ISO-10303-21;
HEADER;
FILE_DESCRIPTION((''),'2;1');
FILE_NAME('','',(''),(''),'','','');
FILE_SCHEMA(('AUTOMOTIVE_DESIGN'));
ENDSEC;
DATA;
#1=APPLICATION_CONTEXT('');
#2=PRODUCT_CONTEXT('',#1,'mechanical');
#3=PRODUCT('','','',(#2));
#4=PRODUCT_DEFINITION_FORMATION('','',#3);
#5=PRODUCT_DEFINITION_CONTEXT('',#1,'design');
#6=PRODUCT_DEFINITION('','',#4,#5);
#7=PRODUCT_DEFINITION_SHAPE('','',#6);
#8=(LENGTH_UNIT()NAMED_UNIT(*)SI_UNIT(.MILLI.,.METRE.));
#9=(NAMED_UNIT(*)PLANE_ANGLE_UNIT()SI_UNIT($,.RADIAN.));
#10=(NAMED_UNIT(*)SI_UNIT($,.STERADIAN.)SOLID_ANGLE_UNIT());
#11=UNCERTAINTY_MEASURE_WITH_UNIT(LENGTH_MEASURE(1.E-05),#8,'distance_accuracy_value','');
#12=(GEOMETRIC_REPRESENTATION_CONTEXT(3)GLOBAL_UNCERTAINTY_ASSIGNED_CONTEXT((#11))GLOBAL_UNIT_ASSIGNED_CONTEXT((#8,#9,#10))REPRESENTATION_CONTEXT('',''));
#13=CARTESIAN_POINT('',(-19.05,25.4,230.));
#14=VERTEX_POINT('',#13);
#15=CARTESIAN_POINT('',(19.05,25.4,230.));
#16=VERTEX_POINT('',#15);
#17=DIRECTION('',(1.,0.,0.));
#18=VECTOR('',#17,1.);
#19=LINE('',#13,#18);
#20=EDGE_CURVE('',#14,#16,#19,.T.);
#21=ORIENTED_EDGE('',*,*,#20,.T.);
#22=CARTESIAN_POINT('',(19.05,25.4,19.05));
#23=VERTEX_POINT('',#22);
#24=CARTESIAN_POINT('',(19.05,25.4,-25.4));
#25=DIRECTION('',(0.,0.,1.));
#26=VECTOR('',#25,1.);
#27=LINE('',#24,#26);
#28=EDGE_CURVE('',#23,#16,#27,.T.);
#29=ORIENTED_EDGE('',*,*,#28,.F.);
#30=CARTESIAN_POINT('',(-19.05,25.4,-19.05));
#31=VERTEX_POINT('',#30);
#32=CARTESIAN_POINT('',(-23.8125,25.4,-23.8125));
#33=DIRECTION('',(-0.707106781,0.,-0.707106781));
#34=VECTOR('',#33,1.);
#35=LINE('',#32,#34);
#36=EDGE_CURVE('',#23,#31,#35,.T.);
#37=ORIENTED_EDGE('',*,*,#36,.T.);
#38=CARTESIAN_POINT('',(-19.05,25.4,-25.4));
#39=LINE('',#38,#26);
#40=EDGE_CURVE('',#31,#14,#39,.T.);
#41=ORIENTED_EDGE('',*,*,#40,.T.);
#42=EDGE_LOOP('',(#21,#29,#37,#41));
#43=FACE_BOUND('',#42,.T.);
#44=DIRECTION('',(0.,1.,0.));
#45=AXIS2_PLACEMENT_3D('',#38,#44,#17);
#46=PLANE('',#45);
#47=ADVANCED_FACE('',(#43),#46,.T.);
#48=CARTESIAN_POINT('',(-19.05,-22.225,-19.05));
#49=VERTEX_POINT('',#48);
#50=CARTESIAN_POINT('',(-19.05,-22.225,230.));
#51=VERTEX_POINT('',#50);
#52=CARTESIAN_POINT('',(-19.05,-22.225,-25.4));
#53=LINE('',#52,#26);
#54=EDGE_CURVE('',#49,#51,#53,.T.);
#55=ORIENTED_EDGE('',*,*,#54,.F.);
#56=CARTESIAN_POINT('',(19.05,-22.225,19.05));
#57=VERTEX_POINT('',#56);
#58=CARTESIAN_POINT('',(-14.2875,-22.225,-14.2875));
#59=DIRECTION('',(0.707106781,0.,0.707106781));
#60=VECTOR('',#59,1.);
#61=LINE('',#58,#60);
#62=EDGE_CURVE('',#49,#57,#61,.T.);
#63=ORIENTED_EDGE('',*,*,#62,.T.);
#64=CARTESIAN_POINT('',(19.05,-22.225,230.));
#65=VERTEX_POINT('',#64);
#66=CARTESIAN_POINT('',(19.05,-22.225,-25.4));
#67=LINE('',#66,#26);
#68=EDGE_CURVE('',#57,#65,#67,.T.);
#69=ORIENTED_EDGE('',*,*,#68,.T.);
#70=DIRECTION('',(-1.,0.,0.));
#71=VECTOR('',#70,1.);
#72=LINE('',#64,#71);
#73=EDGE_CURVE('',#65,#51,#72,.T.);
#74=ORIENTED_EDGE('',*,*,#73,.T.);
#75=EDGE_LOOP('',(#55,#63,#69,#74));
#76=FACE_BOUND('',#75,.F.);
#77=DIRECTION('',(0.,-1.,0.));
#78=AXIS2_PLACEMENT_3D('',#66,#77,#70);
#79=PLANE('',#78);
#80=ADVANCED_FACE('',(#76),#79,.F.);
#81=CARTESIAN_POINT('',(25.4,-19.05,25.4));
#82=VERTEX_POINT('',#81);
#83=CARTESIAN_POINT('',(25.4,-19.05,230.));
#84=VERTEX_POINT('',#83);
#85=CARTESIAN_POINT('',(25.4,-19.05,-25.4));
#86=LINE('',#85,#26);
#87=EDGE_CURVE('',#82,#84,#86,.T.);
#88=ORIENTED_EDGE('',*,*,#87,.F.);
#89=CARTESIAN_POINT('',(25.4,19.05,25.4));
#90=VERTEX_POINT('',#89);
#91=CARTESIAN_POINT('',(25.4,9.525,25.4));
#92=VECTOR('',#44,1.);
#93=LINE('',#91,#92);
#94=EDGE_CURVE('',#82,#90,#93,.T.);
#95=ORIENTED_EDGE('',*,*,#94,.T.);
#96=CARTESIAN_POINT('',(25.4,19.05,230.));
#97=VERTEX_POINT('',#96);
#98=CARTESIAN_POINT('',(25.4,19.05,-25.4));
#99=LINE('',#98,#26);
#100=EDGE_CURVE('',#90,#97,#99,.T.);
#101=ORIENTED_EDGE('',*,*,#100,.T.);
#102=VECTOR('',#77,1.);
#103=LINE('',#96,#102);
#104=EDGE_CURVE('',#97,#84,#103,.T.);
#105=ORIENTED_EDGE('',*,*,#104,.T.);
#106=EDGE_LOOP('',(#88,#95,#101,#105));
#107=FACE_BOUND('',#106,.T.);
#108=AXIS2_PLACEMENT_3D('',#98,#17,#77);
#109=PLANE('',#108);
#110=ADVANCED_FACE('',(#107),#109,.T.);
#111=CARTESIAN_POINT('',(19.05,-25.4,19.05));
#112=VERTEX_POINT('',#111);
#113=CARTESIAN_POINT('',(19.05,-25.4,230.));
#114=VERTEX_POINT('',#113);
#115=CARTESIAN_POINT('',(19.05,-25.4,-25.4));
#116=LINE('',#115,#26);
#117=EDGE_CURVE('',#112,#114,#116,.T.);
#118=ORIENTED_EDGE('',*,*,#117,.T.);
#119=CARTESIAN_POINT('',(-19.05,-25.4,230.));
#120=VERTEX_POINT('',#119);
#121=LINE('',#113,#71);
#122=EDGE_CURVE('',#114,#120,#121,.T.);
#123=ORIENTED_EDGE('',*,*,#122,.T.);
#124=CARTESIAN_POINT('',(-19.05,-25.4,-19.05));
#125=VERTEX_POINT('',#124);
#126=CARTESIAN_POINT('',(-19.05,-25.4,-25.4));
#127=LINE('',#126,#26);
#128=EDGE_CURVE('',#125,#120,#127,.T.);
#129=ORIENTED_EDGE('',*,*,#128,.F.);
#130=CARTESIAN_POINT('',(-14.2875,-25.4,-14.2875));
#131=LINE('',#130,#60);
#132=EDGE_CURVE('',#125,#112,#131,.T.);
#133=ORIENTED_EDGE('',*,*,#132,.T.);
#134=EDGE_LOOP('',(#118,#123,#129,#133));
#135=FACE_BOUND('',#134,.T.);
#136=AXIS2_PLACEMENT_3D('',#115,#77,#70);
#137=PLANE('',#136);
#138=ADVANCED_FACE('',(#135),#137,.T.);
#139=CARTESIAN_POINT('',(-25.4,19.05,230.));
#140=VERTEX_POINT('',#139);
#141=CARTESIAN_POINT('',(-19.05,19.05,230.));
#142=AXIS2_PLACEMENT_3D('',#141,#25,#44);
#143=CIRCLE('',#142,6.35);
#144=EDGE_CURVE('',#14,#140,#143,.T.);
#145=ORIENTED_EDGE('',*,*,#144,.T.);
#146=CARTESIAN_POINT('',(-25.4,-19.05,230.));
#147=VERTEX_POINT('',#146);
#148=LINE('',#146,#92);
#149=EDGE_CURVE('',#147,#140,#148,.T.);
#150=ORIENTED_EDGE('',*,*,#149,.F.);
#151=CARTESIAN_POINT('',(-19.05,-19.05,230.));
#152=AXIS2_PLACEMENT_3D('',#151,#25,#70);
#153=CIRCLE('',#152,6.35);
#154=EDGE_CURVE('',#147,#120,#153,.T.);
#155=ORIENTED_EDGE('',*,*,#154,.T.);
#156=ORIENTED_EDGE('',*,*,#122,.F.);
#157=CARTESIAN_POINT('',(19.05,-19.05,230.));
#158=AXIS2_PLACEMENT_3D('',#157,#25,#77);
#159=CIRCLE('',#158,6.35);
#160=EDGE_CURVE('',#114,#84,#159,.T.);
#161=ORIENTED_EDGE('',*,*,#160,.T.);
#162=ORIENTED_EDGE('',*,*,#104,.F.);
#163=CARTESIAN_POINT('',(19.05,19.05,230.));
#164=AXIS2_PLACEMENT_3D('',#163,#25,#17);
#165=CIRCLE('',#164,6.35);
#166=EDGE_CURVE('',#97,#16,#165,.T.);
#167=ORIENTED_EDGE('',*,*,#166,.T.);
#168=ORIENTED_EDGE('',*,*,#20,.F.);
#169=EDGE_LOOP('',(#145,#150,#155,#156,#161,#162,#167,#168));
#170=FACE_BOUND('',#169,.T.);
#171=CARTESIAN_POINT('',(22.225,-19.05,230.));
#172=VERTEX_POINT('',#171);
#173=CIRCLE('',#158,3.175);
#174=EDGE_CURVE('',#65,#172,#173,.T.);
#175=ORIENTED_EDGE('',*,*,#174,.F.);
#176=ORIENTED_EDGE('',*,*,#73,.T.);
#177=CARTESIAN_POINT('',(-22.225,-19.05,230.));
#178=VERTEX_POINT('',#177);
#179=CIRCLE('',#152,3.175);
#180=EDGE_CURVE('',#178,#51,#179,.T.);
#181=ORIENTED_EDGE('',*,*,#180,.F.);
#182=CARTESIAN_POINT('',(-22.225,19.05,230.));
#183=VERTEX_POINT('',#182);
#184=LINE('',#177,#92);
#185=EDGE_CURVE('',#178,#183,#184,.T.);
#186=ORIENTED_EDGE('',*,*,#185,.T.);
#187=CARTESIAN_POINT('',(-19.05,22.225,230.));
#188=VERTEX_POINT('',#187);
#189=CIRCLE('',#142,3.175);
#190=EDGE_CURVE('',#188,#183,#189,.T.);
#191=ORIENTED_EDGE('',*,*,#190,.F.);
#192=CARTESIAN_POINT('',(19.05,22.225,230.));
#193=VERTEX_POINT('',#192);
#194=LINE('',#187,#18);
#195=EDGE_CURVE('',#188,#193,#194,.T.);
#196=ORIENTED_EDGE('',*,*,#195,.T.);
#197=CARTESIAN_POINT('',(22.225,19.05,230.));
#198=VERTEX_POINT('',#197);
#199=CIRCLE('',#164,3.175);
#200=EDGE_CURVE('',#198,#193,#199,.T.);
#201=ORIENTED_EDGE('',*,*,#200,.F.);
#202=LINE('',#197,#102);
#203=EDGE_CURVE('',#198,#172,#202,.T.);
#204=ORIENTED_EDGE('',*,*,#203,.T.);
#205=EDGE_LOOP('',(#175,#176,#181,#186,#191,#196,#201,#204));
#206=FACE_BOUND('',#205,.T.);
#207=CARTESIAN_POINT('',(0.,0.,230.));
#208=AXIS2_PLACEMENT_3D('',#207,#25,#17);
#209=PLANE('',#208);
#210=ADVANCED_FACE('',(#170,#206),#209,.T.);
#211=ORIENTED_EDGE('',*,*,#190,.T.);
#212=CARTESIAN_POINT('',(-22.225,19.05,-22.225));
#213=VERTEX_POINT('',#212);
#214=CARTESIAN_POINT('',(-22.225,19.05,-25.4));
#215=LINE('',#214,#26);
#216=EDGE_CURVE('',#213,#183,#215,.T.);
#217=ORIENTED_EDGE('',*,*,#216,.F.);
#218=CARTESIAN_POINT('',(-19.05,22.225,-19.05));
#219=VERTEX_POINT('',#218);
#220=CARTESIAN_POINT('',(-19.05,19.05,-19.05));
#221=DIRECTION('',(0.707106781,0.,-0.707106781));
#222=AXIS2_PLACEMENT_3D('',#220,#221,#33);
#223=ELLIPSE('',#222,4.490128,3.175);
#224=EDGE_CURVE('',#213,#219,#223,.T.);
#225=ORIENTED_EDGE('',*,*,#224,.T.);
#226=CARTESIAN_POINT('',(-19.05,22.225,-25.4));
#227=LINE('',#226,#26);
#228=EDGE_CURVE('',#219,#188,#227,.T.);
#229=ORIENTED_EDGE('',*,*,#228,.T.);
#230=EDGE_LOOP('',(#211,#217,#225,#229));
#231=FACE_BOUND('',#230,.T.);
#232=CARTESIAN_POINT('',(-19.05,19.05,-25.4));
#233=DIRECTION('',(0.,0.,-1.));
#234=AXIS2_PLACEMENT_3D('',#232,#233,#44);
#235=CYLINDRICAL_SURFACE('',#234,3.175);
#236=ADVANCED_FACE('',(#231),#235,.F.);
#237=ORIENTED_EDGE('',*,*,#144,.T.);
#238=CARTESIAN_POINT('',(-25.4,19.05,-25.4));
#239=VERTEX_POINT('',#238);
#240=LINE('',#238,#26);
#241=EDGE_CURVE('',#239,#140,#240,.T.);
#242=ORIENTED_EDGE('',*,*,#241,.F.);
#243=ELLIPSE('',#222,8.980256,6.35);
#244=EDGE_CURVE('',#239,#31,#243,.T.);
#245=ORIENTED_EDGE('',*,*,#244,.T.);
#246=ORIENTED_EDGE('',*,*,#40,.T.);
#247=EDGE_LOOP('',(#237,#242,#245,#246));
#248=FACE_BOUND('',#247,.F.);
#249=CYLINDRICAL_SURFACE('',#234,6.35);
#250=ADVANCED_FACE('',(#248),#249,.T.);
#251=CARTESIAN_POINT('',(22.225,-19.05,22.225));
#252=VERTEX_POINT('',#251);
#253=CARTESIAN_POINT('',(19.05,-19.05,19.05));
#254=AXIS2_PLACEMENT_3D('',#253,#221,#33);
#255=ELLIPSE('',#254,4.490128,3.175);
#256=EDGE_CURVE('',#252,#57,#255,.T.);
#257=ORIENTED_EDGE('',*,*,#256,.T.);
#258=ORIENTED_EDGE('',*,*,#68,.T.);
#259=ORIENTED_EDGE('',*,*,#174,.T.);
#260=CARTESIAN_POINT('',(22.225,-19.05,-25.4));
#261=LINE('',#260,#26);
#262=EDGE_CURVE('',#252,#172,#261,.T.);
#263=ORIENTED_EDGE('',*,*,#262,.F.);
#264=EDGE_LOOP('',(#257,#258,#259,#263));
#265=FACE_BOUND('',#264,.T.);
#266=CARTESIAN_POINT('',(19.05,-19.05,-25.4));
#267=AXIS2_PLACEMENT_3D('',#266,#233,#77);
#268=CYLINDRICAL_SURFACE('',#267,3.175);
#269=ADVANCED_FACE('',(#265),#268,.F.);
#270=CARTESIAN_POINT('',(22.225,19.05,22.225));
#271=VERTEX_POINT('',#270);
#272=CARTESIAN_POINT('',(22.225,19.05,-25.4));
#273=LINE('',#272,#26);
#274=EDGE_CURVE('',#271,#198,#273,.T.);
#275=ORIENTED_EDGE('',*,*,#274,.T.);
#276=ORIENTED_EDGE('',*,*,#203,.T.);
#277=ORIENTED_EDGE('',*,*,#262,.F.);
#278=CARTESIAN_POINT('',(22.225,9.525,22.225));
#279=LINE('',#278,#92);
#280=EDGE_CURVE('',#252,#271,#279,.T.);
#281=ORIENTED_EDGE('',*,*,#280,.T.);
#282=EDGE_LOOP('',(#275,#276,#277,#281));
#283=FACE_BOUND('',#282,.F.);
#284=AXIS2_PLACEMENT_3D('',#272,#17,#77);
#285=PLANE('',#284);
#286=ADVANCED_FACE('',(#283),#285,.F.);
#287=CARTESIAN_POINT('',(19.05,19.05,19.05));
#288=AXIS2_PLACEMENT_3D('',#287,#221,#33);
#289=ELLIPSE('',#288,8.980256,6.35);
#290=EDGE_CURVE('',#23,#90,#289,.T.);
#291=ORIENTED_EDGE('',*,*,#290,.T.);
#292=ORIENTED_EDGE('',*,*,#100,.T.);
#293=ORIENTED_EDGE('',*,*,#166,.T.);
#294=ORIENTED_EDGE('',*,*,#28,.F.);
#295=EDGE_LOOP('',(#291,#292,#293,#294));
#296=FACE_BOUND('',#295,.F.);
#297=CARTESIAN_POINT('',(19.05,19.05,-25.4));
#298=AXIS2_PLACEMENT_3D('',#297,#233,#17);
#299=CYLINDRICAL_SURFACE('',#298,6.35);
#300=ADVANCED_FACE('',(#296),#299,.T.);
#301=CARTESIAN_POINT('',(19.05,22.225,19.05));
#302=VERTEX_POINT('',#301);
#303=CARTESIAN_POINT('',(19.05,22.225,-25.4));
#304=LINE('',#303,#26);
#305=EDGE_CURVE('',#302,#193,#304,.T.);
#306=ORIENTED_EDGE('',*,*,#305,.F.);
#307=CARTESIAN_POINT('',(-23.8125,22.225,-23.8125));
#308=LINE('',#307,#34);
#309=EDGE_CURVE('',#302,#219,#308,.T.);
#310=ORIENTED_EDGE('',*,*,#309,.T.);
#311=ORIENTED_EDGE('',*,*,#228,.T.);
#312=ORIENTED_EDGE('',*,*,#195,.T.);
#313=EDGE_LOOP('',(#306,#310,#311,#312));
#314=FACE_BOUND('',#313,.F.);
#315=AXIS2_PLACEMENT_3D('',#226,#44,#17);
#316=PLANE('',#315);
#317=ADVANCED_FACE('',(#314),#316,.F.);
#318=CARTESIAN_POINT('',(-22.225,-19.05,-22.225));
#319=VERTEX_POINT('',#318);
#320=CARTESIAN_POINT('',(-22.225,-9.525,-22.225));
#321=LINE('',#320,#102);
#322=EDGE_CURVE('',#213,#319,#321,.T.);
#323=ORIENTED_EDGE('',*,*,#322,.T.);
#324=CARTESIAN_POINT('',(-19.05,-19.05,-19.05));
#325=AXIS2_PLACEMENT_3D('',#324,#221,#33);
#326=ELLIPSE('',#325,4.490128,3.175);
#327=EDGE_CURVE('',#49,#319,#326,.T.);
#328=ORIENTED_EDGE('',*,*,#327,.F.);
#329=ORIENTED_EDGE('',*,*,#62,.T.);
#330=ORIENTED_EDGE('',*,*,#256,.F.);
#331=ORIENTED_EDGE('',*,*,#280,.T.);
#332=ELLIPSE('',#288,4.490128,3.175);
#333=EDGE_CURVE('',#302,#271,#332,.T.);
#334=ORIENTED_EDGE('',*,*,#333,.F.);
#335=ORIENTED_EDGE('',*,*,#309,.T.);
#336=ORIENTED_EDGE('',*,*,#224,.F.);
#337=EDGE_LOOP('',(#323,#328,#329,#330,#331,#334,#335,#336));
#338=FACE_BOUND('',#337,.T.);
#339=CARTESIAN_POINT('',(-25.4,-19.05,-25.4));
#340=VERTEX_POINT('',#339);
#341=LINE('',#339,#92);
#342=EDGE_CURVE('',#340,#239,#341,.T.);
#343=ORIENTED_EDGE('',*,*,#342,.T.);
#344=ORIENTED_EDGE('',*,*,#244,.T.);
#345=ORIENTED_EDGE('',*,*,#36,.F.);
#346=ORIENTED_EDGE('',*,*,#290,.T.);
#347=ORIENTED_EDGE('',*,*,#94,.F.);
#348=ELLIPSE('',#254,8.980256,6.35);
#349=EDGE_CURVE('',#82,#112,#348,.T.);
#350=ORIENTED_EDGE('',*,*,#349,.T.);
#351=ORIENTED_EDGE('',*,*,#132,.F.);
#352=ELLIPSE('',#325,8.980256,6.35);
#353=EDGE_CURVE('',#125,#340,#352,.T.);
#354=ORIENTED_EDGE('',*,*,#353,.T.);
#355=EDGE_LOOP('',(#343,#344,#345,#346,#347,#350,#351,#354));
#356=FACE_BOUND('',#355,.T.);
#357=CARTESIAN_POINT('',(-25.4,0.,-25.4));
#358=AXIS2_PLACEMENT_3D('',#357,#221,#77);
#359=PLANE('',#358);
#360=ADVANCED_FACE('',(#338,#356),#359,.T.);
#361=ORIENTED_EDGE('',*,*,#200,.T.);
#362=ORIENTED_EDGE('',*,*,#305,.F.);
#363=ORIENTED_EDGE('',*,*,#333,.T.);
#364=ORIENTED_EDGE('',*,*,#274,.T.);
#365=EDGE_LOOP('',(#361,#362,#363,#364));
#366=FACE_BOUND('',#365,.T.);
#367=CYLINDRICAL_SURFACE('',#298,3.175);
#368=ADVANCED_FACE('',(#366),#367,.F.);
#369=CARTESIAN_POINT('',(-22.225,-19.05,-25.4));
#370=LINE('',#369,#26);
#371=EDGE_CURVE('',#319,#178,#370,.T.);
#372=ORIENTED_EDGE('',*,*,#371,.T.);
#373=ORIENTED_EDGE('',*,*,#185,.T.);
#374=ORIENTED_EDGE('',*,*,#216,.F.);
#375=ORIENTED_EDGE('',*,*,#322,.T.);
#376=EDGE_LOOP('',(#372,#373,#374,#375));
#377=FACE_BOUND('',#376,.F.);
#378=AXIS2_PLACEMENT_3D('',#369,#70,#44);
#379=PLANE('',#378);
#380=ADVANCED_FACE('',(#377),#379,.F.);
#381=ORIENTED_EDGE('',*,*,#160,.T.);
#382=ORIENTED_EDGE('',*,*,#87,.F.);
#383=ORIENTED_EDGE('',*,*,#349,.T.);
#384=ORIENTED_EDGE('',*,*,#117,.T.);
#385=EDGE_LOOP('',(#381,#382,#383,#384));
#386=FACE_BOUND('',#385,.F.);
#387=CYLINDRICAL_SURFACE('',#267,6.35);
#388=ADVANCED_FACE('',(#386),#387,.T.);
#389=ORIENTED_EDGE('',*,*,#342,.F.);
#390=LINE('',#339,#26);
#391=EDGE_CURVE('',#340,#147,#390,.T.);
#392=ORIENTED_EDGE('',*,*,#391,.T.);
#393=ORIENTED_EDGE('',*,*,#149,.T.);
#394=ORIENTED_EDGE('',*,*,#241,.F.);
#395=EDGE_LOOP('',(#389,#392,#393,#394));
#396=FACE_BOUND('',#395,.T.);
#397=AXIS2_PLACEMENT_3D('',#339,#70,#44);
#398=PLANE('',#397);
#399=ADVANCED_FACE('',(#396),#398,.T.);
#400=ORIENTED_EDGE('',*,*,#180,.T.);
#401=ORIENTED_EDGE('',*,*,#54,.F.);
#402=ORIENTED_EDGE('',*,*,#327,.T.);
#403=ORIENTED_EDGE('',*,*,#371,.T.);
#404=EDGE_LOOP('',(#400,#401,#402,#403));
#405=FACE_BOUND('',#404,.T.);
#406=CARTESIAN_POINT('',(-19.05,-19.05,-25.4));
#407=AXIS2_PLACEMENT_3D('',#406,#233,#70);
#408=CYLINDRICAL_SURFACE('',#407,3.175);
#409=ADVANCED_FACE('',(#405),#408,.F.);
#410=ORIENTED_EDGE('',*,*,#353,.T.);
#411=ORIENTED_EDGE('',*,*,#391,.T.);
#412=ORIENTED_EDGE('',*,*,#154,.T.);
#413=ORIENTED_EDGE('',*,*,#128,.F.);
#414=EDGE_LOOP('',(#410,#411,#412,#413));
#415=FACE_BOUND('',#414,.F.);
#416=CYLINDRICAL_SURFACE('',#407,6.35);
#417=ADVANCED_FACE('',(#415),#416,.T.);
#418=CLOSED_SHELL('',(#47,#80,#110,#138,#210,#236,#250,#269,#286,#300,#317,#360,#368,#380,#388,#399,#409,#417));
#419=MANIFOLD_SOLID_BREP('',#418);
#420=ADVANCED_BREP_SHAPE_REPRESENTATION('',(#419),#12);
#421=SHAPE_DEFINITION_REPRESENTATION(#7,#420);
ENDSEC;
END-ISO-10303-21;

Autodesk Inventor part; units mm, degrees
ref_plane "Plano inicial" through (0, 0, -25.4) normal (0, 0, 1) x (1, 0, 0)
ref_plane "Plano final" through (0, 0, 230) normal (0, 0, 1) x (1, 0, 0)
sketch "Boceto" plane through (0, 0, 0) normal (0, 0, 1) x (1, 0, 0)
  line L0 (-25.4, -19.05) -> (-25.4, 19.05)
  line L1 (-19.05, 25.4) -> (19.05, 25.4)
  line L2 (25.4, 19.05) -> (25.4, -19.05)
  line L3 (19.05, -25.4) -> (-19.05, -25.4)
  arc A0 (-25.4, -19.05) -> (-19.05, -25.4) centre (-19.05, -19.05) ccw
  arc A1 (-19.05, 25.4) -> (-25.4, 19.05) centre (-19.05, 19.05) ccw
  arc A2 (25.4, 19.05) -> (19.05, 25.4) centre (19.05, 19.05) ccw
  arc A3 (19.05, -25.4) -> (25.4, -19.05) centre (19.05, -19.05) ccw
  arc A4 (-19.05, 22.225) -> (-22.225, 19.05) centre (-19.05, 19.05) ccw
  line L4 (-19.05, 22.225) -> (19.05, 22.225)
  arc A5 (22.225, 19.05) -> (19.05, 22.225) centre (19.05, 19.05) ccw
  line L5 (22.225, 19.05) -> (22.225, -19.05)
  arc A6 (19.05, -22.225) -> (22.225, -19.05) centre (19.05, -19.05) ccw
  line L6 (19.05, -22.225) -> (-19.05, -22.225)
  arc A7 (-22.225, -19.05) -> (-19.05, -22.225) centre (-19.05, -19.05) ccw
  line L7 (-22.225, -19.05) -> (-22.225, 19.05)
  line L8 (0, 37.4012) -> (0, -37.4012) construction
  line L9 (-37.4012, 0) -> (37.4012, 0) construction
  dimension "d10" = 50.8
  dimension "d11" = 50.8
  dimension "d12" = 3.175
  dimension "d15" = 25.4
  dimension "d16" = 25.4
  dimension "d17" = 6.35
extrude "Cuerpo" add sketch "Boceto" along normal up to surface (255.4 mm away) from surface at -25.4
sketch "Sketch3" plane through (0, 0, 0) normal (0, 0, 1) x (1, 0, 0)
  line L0 (0, 0) -> (10, 0)
ref_plane "Work Plane3" through (0, 0, 0) normal (0, -1, 0) x (1, 0, 0)
ref_plane "Plano de trabajo4" through (-25.4, 0, -25.4) normal (0.7071, 0, -0.7071) x (-0.7071, 0, -0.7071)
split "Dividir1" plane through (-25.4, 0, -25.4) removes the side toward (0.7071, 0, -0.7071)
sketch "Sketch4" plane through (0, 0, 0) normal (0, -1, 0) x (1, 0, 0)
  line L0 (-2, -25.4) -> (12, -25.4) projected
  line L1 (-2, 230) -> (12, 230) projected
  dimension "d19" = 255.4
equation "\"d10\" = G_H"
equation "\"d11\" = G_W"
equation "\"d12\" = G_T"
equation "\"d15\" = 0.5 * d10"
equation "\"d16\" = 0.5 * d11"
equation "\"d17\" = G_IR"
equation "\"d3\" = G_L"
equation "\"G_W\" = 50.8"
equation "\"G_H\" = 50.8"
equation "\"G_T\" = 3.175"
equation "\"G_IR\" = 6.35"
equation "\"G_L\" = d19"
equation "\"G_OFFSET_START\" = 25.4"
equation "\"G_OFFSET_END\" = 0"
equation "\"d13\" = -G_OFFSET_START"
properties part number "AISC - 2 x 2 x 1/8 - 10,055" material "Acero, suave"
